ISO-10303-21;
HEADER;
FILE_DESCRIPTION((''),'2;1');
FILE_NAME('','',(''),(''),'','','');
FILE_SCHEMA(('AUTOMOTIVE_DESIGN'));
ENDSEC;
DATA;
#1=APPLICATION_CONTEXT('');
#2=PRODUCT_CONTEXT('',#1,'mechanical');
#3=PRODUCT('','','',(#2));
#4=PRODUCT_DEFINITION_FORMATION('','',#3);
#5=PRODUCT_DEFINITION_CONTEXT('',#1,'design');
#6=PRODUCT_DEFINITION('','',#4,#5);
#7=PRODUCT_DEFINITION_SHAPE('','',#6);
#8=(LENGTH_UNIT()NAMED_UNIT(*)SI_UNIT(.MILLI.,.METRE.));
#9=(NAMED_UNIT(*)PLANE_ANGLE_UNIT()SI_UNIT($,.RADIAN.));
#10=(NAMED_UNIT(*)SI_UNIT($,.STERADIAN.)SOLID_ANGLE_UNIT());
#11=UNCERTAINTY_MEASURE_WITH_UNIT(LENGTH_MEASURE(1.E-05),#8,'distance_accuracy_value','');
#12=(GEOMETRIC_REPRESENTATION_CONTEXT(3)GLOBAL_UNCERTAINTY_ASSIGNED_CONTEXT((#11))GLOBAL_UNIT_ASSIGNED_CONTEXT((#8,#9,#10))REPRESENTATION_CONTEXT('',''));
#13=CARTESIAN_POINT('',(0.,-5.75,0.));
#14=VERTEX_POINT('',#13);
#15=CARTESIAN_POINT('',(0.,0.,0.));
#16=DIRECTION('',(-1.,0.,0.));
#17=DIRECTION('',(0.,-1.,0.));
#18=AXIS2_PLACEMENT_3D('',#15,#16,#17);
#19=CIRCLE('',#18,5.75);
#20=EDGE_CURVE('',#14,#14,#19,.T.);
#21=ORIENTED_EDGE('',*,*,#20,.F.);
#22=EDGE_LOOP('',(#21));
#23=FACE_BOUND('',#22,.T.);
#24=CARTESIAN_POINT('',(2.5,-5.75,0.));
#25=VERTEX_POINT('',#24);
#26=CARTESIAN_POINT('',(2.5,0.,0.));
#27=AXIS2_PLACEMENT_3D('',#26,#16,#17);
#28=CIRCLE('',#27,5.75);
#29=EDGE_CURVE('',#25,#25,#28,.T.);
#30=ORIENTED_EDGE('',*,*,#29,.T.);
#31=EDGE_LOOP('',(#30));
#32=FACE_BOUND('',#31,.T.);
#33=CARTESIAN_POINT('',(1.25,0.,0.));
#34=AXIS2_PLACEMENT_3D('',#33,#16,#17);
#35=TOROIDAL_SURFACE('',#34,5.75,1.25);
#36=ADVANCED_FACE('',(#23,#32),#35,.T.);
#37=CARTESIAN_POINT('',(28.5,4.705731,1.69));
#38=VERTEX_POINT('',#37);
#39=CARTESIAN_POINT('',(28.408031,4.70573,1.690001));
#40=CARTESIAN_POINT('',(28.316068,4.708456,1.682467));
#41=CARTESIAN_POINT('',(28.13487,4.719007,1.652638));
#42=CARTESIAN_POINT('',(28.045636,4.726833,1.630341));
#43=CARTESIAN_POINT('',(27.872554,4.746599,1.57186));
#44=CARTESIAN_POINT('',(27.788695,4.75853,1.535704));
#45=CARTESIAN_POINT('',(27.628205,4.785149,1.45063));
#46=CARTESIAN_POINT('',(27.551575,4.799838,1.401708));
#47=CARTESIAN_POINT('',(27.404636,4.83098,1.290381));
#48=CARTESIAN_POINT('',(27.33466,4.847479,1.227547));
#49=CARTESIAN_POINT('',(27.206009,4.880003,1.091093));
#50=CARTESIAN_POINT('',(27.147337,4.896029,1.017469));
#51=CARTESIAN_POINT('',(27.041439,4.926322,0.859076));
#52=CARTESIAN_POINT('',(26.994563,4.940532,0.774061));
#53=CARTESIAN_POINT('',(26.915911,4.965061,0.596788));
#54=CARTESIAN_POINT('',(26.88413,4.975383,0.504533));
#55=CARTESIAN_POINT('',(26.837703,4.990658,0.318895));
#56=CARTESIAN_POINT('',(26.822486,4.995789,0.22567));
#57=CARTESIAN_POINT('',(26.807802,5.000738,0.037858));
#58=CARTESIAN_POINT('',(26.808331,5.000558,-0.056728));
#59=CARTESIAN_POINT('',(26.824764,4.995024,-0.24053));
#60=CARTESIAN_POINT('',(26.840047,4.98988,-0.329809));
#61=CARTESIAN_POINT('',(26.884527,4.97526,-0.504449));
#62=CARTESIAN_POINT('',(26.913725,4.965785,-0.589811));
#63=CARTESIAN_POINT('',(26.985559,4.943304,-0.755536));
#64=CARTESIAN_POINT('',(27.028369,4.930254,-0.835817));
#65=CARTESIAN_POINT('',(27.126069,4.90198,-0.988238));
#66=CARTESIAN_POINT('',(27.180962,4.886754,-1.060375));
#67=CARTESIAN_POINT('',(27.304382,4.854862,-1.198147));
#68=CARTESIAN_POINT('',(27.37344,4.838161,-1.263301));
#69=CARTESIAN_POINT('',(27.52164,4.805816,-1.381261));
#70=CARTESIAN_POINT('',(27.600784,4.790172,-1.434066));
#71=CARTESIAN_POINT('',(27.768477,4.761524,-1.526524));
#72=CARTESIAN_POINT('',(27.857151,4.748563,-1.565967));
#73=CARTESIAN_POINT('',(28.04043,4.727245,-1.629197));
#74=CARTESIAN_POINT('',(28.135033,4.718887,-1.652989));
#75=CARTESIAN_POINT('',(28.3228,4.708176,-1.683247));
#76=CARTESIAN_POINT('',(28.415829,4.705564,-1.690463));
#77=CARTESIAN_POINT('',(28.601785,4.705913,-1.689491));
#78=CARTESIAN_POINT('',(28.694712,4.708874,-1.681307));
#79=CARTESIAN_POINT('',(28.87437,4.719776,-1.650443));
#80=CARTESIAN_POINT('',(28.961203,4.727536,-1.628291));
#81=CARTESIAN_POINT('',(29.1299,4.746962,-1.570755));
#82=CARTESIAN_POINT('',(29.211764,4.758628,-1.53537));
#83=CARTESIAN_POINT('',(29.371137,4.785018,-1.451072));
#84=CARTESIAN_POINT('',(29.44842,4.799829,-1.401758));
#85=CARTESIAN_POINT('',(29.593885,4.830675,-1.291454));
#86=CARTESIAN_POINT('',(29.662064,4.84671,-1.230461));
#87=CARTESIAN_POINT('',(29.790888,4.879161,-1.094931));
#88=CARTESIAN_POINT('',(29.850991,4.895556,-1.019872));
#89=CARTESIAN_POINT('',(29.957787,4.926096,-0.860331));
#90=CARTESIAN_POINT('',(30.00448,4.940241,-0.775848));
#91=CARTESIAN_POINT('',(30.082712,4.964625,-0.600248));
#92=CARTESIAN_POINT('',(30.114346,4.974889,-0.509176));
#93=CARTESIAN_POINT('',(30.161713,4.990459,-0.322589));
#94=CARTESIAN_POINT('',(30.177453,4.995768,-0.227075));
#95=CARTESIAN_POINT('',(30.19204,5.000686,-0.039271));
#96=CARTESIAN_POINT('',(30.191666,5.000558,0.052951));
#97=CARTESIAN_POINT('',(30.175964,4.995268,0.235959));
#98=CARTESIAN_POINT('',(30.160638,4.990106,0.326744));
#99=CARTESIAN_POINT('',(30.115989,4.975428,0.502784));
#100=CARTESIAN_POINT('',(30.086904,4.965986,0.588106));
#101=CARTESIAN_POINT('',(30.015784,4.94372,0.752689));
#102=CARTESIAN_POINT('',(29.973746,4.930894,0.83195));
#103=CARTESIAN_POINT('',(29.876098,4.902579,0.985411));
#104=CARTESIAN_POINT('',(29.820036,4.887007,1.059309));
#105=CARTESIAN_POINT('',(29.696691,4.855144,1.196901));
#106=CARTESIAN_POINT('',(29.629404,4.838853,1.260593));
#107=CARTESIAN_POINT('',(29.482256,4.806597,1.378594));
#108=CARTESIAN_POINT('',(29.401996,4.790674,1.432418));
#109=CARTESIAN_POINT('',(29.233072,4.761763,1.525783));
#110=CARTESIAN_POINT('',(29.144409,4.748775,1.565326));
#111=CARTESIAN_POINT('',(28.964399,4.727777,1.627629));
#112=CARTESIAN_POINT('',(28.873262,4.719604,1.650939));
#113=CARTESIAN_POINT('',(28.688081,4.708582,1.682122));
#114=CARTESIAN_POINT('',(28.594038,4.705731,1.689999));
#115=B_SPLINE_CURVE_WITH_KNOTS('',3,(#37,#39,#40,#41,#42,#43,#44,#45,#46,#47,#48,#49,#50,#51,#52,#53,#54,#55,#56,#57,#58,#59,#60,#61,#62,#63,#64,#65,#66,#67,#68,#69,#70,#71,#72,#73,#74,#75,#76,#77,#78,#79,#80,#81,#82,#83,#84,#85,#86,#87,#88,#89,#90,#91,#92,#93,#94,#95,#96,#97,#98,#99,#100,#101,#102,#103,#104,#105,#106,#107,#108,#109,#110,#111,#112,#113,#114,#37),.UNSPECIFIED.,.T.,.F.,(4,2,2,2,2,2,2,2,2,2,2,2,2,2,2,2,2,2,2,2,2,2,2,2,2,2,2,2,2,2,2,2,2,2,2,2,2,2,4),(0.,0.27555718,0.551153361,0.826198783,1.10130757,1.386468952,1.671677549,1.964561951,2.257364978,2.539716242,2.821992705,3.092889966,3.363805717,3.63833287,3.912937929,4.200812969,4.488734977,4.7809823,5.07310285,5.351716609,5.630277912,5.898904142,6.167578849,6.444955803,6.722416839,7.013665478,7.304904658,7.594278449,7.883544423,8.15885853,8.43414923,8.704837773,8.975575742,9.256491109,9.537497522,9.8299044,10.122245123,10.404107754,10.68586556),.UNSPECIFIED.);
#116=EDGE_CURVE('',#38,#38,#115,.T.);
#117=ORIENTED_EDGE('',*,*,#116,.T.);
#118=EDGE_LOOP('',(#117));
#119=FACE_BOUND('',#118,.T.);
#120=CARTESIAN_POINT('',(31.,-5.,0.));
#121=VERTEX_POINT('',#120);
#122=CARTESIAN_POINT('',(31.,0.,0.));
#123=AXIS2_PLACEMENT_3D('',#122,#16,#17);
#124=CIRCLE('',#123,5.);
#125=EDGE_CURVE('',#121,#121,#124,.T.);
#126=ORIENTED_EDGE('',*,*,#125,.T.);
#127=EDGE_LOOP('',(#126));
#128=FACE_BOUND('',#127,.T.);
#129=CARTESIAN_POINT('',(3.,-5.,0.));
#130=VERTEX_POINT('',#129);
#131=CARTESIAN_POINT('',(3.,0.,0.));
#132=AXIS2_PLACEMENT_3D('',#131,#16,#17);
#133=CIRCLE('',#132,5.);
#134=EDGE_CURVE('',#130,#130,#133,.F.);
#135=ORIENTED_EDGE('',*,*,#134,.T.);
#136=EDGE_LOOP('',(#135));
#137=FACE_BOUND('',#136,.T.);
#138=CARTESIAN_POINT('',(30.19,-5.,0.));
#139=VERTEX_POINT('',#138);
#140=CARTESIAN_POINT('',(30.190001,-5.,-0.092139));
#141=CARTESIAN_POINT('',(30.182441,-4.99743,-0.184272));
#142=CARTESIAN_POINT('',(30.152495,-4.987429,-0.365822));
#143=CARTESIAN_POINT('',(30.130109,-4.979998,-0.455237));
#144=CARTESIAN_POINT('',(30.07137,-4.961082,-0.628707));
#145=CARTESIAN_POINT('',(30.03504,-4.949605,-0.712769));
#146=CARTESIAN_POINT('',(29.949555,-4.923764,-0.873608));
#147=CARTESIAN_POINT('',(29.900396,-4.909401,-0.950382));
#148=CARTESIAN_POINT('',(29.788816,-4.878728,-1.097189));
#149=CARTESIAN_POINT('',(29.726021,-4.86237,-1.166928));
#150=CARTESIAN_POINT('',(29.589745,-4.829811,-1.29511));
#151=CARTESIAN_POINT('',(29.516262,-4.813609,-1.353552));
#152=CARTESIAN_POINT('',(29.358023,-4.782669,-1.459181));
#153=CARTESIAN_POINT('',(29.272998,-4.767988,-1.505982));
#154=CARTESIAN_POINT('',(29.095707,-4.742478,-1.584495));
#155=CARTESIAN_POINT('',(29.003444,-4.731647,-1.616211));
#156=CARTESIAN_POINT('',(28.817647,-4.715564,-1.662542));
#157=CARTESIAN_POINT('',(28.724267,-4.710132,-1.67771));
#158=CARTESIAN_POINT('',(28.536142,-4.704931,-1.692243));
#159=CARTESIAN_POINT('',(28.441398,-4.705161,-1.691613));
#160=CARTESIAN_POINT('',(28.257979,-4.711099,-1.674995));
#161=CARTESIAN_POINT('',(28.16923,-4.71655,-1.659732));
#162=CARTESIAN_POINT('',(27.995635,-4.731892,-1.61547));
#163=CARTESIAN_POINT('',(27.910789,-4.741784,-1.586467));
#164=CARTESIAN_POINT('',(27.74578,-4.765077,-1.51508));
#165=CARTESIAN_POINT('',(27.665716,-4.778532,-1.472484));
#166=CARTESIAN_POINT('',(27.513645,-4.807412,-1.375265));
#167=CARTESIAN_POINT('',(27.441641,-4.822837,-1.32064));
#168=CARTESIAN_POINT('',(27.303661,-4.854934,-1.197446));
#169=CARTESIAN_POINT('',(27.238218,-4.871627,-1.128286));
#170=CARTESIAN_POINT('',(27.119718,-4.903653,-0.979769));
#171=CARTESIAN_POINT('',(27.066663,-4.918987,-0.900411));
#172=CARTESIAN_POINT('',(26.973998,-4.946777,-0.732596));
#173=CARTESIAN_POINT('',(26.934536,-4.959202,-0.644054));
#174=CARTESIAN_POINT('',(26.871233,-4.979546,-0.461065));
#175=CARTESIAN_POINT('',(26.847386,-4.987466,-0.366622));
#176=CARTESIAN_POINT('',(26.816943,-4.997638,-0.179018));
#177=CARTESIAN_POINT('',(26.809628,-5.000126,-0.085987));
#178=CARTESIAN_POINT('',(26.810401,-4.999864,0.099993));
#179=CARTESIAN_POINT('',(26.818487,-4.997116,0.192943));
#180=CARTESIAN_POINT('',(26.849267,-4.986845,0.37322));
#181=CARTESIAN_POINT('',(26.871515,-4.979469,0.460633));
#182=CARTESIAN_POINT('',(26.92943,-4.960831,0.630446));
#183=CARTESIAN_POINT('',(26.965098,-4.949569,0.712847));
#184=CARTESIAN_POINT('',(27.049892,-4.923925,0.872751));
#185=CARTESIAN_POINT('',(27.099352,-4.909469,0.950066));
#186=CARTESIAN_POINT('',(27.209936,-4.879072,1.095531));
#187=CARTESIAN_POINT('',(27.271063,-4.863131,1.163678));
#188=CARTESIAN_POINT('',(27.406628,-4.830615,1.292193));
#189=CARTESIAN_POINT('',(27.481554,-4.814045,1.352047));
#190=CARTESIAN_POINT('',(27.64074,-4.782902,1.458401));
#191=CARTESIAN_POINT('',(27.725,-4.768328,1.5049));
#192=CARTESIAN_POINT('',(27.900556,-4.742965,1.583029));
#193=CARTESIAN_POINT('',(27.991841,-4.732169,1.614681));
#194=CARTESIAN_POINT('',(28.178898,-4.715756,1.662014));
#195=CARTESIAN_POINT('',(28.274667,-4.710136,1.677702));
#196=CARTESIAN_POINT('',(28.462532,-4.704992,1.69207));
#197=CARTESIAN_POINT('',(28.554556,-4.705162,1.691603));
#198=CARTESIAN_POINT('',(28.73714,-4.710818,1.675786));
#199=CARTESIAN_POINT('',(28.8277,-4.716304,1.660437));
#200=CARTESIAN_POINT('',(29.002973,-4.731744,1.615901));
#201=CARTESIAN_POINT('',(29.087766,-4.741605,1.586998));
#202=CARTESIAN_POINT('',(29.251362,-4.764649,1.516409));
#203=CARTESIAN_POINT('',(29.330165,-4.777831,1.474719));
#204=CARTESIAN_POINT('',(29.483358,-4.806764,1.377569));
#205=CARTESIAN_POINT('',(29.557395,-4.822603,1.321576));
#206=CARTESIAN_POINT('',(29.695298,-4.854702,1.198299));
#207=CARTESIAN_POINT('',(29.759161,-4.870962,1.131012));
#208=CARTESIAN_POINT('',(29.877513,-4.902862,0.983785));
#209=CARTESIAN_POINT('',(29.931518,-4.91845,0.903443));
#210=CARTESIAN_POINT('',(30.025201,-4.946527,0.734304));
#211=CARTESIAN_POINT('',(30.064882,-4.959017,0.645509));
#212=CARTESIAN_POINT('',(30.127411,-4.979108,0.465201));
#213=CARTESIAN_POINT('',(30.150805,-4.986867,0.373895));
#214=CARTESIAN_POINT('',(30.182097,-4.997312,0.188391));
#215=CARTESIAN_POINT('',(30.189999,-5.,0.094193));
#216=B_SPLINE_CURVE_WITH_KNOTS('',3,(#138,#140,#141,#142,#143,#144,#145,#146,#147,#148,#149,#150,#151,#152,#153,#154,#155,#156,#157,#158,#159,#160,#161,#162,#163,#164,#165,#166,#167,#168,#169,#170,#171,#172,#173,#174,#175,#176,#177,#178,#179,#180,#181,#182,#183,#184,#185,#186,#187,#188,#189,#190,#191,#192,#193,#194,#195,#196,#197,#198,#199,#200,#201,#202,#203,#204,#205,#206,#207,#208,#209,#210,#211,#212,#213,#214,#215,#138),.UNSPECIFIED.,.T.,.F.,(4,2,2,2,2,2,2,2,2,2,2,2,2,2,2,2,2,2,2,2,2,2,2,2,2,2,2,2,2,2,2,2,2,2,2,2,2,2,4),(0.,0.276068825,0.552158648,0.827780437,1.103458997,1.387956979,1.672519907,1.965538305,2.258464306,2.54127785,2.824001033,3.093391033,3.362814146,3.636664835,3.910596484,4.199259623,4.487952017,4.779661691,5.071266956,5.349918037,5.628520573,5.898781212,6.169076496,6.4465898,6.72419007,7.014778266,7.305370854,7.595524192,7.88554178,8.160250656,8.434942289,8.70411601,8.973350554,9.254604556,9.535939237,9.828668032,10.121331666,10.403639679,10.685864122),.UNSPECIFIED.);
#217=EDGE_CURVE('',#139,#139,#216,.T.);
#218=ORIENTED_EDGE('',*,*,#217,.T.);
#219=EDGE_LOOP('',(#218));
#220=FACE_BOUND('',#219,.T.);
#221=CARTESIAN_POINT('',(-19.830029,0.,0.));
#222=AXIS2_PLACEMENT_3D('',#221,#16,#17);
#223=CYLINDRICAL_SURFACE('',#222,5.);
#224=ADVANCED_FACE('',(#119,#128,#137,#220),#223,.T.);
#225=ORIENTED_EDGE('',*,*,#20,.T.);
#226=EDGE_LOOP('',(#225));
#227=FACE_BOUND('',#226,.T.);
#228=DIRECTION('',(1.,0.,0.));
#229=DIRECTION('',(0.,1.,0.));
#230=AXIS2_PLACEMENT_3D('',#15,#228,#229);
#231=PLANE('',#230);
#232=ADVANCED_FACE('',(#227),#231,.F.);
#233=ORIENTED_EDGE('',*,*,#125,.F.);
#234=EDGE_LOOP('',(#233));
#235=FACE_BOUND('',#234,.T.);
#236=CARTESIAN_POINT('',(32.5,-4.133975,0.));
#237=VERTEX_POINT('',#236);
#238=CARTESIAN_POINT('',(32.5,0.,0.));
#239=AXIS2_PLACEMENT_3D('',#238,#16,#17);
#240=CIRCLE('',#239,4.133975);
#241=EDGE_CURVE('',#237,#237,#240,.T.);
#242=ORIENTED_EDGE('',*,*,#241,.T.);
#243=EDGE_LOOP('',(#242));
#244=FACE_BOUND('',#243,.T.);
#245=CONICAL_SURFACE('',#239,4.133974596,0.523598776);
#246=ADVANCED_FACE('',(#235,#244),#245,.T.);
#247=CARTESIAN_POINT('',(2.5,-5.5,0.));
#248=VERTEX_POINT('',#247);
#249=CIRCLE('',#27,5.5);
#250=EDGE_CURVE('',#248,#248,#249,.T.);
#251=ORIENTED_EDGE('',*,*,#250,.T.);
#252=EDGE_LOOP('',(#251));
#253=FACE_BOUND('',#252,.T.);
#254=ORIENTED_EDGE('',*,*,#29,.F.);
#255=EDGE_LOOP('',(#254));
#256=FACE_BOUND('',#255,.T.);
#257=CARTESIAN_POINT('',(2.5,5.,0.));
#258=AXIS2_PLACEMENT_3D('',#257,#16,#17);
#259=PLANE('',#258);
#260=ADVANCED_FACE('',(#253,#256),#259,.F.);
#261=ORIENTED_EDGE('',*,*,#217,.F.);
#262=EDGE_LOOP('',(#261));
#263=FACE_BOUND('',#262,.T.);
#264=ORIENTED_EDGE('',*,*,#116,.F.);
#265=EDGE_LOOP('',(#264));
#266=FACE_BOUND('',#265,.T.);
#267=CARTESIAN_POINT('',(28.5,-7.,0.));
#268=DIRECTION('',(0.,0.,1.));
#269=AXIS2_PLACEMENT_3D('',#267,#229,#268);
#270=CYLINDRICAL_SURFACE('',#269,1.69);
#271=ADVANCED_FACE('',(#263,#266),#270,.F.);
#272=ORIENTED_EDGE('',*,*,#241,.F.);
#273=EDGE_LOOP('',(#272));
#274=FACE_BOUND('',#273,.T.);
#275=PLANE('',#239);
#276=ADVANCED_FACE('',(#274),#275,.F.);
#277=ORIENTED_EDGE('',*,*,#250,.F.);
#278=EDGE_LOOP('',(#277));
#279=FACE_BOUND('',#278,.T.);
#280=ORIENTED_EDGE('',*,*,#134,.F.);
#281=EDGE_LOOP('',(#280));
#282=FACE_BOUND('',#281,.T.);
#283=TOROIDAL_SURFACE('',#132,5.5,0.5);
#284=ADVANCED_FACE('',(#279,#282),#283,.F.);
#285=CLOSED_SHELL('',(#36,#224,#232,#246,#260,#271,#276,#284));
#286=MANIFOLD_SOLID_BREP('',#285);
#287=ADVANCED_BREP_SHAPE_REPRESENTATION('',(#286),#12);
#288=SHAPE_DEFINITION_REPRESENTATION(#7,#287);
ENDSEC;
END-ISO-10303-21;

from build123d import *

# Parameters (mm, degrees)
CHAMFER1_R      = 0.5
HOLE_DEPTH      = 34.974255
HOLE_DEPTH_BACK = 34.974255
SKETCH2_R       = 1.69


with BuildPart() as part:
    # Sketch1 → BaseBody (revolve)
    with BuildSketch(Plane.XY, mode=Mode.PRIVATE) as basebody_sk:
        with BuildLine():
            Line((32.5, 0), (0, 0))
            Line((0, 0), (0, 5.75))
            ThreePointArc((0, 5.75), (1.25, 7), (2.5, 5.75))
            Line((2.5, 5.75), (2.5, 5))
            Line((2.5, 5), (31, 5))
            Line((31, 5), (32.5, 4.133974596))
            Line((32.5, 4.133974596), (32.5, 0))
        make_face()
    revolve(basebody_sk.sketch.rotate(Axis((-19.830028721, 0, 0), (1, 0, 0)), 180), axis=Axis((-19.830028721, 0, 0), (1, 0, 0)))

    # Chamfer1
    chamfer1_edges = [part.edges().sort_by_distance(p)[0] for p in [
        (2.5, 5, 0),
    ]]
    fillet(chamfer1_edges, radius=CHAMFER1_R)

    # Sketch2 → Hole (cut, two sides: drawn at the far end of the back side and taken through both)
    with BuildSketch(Plane(origin=(0, 0, 0), x_dir=(1, 0, 0), z_dir=(0, 1, 0)).offset(-HOLE_DEPTH_BACK)):
        with Locations(Location((28.5, 0, 0), (0, 0, 270))):
            Circle(SKETCH2_R)
    extrude(amount=HOLE_DEPTH + HOLE_DEPTH_BACK, mode=Mode.SUBTRACT)


solid = part.part
